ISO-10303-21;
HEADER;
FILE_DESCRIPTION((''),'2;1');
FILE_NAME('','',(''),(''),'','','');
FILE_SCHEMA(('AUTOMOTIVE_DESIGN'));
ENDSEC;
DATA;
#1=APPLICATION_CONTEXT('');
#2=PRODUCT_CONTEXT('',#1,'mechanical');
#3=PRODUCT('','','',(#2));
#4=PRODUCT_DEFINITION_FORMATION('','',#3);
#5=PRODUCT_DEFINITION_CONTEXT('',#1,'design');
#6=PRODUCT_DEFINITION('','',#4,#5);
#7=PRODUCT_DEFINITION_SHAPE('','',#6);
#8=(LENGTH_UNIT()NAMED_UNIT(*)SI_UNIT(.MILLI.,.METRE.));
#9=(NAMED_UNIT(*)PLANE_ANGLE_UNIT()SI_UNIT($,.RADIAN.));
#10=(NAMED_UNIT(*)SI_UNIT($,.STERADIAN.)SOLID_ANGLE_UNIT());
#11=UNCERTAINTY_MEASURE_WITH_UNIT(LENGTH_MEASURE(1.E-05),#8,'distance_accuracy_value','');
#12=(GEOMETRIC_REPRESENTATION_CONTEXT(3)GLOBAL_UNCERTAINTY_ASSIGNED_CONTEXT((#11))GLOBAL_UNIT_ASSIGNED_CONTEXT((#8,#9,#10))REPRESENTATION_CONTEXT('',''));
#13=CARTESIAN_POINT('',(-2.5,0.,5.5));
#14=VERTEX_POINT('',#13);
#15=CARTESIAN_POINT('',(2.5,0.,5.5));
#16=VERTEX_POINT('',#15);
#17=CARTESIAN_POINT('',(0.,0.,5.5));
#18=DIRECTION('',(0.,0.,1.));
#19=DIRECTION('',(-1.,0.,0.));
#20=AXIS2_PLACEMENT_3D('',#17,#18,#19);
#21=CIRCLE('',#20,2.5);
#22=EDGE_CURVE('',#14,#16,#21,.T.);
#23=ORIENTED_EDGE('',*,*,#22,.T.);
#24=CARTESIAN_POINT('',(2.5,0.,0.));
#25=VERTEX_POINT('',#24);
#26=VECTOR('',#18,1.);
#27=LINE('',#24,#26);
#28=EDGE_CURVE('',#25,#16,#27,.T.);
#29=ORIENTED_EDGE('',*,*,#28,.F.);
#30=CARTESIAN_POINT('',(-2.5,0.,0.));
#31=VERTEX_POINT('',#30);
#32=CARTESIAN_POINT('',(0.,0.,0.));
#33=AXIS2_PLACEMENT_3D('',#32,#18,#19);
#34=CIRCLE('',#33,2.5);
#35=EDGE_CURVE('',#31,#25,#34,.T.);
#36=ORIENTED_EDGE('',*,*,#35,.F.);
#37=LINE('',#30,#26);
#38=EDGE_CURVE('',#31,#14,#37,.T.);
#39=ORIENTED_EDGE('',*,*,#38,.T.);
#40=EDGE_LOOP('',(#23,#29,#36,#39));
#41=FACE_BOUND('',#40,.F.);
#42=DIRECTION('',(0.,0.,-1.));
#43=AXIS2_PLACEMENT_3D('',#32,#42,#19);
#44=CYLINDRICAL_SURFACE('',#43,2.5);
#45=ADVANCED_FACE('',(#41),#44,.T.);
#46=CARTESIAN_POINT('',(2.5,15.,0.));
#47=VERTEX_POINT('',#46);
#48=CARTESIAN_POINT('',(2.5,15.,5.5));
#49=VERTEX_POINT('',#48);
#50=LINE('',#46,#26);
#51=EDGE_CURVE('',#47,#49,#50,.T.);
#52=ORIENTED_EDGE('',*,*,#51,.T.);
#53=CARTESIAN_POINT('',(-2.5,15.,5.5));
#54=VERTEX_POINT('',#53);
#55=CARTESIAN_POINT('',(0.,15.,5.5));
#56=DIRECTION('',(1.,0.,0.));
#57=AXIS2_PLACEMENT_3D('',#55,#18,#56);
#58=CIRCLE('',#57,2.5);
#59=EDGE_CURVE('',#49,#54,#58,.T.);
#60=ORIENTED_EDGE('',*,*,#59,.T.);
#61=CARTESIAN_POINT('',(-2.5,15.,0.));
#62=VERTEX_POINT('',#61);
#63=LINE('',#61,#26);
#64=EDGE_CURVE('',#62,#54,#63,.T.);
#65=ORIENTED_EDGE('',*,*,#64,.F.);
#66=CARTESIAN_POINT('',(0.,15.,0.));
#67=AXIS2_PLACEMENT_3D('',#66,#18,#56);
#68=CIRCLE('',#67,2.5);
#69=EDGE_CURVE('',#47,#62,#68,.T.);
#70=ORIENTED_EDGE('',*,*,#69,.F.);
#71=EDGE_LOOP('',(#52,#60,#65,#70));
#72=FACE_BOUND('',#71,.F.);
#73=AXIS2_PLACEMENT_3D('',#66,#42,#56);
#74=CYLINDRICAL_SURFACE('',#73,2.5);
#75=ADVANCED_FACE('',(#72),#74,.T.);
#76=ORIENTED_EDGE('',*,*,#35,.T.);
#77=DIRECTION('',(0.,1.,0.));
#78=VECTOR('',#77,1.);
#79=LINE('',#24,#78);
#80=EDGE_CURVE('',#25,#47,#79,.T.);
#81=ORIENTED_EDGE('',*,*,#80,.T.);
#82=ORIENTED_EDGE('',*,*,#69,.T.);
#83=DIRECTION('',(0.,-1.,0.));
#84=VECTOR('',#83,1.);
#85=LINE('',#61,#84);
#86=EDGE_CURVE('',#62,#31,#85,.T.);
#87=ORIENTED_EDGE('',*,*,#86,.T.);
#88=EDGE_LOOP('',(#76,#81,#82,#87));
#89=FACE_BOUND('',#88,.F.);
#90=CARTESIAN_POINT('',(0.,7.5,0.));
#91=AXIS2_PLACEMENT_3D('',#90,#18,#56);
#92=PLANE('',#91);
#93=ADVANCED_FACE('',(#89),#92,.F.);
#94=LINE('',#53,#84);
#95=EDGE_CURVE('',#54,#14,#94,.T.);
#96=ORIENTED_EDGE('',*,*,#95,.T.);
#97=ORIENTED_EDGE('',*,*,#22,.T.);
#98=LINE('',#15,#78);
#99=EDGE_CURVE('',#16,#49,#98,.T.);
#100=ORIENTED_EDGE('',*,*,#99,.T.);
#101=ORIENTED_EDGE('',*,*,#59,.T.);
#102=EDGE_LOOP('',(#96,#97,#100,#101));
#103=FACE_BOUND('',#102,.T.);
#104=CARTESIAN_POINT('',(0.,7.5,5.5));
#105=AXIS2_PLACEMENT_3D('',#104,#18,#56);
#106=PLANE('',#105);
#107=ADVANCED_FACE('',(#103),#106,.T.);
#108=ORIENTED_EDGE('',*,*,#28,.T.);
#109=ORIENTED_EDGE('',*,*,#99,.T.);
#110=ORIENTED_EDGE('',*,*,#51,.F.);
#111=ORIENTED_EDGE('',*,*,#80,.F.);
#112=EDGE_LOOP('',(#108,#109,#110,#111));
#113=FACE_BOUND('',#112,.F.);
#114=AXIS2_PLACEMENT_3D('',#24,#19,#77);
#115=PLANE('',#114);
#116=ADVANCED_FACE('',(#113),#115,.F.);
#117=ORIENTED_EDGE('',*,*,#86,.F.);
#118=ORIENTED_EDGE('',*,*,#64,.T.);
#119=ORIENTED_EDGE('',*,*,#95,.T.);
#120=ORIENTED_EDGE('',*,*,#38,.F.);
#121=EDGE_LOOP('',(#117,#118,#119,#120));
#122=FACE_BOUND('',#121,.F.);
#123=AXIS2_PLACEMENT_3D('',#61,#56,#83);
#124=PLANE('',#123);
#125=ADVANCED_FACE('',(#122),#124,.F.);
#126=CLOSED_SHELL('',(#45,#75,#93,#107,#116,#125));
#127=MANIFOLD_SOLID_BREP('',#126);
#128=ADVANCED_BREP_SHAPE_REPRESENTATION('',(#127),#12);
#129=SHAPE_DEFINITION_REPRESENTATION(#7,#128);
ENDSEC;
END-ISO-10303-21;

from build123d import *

# Parameters (mm, degrees)
EXTRUDE_DEPTH = 5.5


with BuildPart() as part:
    # Sketch → Extrude (new body)
    with BuildSketch(Plane.XY):
        with BuildLine():
            ThreePointArc((-2.5, 0), (0, -2.5), (2.5, 0))
            Line((2.5, 0), (2.5, 15))
            ThreePointArc((2.5, 15), (0, 17.5), (-2.5, 15))
            Line((-2.5, 15), (-2.5, 0))
        make_face()
    extrude(amount=EXTRUDE_DEPTH)


solid = part.part
